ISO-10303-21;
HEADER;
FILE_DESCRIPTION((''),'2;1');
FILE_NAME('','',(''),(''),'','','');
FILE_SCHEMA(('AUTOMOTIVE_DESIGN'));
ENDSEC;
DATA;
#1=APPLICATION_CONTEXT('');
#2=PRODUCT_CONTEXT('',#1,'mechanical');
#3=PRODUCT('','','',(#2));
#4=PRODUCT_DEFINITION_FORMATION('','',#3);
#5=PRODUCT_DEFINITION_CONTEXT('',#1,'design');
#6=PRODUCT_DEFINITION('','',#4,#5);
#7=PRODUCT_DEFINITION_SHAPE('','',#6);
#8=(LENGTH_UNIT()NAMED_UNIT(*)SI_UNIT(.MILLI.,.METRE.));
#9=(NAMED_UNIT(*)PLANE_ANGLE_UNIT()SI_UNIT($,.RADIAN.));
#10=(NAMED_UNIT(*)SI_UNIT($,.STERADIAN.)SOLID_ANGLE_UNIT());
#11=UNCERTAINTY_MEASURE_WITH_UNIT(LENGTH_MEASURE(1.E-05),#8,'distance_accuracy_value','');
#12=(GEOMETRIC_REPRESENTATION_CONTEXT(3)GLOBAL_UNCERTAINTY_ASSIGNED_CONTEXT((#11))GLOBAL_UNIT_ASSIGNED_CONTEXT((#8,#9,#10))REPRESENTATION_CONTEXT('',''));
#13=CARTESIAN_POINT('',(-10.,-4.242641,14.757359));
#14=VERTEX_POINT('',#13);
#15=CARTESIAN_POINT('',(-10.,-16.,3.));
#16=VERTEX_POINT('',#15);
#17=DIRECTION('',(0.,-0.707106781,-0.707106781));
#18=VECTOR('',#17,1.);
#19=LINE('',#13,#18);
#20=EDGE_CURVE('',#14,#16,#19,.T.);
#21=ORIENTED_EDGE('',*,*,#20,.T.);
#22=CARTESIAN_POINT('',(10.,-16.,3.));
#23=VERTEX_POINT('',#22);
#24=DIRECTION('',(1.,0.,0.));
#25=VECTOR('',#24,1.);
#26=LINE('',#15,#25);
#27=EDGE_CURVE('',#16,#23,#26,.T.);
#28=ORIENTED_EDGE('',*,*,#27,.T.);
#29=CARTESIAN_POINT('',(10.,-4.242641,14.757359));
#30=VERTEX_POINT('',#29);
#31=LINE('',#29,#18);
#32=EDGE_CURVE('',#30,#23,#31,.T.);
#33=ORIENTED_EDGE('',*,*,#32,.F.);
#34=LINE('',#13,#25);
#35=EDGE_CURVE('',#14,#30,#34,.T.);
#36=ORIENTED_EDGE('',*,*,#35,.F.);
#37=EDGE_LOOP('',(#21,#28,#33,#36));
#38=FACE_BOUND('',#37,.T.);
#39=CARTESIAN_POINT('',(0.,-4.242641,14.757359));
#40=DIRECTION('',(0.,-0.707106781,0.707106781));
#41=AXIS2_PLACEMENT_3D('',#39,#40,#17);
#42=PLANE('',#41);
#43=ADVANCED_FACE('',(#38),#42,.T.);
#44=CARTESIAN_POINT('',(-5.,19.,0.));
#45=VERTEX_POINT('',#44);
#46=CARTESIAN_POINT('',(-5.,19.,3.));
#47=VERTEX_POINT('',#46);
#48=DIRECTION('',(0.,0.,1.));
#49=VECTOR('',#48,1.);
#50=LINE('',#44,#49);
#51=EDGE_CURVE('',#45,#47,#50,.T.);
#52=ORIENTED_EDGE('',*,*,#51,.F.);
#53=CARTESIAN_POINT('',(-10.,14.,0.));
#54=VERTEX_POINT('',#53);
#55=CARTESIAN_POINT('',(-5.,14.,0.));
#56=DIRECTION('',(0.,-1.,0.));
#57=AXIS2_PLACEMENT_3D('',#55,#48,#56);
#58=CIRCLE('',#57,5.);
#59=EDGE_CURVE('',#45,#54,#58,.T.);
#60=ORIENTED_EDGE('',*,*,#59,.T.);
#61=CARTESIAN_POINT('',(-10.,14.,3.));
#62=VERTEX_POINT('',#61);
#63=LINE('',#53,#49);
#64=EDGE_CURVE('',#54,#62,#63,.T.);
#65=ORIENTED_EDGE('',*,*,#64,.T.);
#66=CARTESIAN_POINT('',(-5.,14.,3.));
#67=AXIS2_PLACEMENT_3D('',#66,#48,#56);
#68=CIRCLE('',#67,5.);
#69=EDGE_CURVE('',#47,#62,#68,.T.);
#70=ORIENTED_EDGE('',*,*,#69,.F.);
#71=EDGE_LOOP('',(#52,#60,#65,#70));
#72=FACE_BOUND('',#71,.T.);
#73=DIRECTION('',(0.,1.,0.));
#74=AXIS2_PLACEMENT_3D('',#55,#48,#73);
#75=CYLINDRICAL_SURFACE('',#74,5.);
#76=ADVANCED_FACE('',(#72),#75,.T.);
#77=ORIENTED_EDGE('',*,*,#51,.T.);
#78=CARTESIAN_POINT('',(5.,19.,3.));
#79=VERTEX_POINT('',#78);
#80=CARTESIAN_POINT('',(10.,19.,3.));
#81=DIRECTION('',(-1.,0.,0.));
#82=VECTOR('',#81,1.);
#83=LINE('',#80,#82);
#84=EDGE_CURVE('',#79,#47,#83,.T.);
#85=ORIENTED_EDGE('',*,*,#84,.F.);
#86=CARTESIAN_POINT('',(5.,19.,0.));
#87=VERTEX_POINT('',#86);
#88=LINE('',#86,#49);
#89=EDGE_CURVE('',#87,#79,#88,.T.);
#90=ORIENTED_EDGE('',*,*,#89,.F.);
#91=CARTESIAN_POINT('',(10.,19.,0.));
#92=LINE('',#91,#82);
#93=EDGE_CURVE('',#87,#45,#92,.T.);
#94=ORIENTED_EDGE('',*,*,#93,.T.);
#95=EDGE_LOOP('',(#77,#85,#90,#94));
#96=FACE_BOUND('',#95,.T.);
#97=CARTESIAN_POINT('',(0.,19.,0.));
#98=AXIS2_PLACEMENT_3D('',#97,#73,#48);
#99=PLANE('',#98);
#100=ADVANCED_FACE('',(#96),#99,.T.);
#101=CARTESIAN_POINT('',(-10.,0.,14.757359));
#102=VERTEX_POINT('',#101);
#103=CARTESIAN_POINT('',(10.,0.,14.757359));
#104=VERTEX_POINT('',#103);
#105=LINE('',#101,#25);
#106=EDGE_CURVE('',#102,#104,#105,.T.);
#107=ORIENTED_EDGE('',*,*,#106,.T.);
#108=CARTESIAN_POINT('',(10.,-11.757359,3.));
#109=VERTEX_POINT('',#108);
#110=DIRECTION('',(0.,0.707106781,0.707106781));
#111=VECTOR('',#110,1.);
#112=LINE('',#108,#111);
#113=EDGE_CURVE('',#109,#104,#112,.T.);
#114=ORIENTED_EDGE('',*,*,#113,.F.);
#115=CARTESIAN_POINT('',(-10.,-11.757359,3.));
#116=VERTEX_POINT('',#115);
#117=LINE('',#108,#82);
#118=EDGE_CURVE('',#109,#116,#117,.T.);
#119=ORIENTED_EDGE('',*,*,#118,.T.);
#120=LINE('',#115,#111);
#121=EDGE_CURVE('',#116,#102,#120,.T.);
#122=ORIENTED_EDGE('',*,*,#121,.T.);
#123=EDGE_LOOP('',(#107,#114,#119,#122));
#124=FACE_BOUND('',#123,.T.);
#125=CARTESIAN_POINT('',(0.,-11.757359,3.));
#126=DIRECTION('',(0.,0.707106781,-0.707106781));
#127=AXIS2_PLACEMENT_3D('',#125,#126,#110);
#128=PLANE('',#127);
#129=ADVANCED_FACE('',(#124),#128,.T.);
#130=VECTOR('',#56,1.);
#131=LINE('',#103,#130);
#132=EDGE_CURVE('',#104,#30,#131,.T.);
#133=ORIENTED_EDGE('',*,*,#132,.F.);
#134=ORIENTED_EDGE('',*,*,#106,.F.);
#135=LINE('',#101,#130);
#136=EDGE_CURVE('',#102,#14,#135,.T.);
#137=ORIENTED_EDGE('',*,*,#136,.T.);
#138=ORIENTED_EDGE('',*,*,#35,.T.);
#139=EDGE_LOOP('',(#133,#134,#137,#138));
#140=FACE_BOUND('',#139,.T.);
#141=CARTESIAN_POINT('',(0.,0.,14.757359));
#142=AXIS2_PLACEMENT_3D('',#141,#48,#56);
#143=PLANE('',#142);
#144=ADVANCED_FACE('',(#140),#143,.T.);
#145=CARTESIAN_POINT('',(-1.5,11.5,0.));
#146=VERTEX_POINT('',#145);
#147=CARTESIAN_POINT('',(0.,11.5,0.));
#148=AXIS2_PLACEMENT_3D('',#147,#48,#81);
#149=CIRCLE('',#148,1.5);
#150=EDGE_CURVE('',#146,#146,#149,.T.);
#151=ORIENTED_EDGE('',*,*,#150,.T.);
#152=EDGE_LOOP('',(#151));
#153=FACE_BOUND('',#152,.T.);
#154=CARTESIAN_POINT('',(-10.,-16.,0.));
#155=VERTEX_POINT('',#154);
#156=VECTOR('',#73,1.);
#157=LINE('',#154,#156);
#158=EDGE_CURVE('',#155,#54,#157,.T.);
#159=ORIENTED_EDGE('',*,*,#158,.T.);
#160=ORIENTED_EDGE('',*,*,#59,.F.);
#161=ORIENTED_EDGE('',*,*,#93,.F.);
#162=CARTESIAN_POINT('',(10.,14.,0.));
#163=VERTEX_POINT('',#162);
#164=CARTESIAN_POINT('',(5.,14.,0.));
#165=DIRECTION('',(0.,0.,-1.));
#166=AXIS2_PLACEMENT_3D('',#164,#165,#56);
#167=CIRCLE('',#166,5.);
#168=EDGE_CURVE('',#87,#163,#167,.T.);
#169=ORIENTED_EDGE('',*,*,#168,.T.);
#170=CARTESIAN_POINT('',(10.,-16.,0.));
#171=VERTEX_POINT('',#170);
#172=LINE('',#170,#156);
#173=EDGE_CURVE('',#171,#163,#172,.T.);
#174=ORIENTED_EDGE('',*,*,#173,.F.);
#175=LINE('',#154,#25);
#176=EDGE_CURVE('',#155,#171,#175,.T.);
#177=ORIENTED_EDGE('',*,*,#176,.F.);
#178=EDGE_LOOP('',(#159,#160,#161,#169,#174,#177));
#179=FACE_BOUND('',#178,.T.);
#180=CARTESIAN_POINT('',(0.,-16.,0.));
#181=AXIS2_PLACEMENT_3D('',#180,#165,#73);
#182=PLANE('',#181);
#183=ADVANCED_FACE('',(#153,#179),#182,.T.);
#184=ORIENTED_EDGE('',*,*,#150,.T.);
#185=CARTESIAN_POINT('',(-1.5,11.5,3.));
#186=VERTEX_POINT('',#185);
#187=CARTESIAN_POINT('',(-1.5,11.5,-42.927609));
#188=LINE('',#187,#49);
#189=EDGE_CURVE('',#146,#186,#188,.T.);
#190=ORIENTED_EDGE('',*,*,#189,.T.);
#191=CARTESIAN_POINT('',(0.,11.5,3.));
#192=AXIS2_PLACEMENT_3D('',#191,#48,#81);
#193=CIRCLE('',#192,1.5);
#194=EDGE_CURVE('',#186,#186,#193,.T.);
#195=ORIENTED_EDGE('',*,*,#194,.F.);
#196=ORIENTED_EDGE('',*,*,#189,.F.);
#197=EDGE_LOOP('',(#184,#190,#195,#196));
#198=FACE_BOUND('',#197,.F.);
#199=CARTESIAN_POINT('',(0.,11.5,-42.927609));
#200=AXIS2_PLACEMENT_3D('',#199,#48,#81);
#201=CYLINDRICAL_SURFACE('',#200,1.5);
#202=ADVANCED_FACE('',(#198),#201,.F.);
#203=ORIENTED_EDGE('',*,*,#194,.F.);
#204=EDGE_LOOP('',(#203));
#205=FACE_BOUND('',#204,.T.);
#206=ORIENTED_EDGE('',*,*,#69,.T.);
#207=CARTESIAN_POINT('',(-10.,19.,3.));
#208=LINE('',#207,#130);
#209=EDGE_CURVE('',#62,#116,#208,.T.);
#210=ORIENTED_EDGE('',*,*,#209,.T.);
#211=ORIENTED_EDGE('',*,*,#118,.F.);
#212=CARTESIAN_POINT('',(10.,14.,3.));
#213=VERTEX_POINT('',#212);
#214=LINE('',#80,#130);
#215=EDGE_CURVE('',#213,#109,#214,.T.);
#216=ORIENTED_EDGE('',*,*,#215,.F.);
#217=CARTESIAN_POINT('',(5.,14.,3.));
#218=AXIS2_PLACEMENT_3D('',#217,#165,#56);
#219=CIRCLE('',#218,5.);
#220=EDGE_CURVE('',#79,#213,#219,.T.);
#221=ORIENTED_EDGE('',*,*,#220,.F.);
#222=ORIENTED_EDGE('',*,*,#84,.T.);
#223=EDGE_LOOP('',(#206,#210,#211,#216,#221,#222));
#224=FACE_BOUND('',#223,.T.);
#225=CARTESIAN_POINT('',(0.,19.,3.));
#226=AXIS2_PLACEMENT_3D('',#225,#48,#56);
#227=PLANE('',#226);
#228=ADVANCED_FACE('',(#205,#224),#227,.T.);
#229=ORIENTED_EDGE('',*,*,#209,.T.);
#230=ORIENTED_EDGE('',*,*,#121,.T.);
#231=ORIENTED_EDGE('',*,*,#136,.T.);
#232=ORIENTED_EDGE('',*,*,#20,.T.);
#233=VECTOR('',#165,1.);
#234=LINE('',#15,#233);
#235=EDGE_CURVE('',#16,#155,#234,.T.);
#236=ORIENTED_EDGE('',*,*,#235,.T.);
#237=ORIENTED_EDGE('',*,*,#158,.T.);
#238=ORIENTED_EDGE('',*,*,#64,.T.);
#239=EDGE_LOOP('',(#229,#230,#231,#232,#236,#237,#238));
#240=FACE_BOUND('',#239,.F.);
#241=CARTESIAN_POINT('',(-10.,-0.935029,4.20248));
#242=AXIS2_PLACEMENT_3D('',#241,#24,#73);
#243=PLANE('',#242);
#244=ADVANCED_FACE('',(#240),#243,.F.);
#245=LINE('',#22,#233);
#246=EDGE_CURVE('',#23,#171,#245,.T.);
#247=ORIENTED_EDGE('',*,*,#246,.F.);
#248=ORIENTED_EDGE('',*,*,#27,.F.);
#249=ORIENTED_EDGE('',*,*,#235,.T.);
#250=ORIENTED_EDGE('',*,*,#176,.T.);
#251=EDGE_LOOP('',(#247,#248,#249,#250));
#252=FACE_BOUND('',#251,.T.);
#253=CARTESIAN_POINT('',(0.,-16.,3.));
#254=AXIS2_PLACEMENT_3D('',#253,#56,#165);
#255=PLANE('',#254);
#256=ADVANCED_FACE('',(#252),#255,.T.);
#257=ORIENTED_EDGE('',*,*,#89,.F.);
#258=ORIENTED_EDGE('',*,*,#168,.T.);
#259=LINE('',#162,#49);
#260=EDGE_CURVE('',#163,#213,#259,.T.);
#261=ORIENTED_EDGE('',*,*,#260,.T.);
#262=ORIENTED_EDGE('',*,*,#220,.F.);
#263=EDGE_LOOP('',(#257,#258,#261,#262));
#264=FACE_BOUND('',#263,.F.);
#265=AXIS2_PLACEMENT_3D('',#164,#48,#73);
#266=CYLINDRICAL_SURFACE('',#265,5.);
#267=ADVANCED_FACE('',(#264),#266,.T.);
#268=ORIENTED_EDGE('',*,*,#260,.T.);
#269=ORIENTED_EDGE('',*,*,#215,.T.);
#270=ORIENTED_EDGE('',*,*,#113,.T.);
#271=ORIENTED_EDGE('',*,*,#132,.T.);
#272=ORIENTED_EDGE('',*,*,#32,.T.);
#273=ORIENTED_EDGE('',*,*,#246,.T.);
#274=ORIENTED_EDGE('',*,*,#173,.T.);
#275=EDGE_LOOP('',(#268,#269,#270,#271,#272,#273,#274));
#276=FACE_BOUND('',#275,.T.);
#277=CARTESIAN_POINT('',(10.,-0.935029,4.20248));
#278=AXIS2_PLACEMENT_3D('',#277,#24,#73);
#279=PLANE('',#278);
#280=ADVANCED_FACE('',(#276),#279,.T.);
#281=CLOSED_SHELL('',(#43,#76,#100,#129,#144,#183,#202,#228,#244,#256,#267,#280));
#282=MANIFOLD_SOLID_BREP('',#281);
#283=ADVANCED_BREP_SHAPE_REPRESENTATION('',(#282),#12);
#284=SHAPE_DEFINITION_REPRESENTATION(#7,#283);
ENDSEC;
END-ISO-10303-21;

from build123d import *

# Parameters (mm, degrees)
F1_DEPTH = 10
F2_R     = 5
F4_D     = 3


with BuildPart() as f1:
    # F0 (on Right) → F1 (new body, symmetric)
    with BuildSketch(Plane.YZ):
        Polygon((-11.7573593129, 3), (0, 14.7573593129), (-4.2426406871, 14.7573593129), (-16, 3), (-16, 0), (19, 0), (19, 3), align=None)
    extrude(amount=F1_DEPTH, both=True)

    # F2
    f2_edges = [f1.edges().sort_by_distance(p)[0] for p in [
        (10, 19, 1.5),
        (-10, 19, 1.5),
    ]]
    fillet(f2_edges, radius=F2_R)

    # F4 (through all)
    with Locations(Plane(origin=(0, 0, 0), x_dir=(1, 0, 0), z_dir=(0, 0, -1))):
        with Locations((0, -11.5)):
            Hole(F4_D / 2)


solid = f1.part
